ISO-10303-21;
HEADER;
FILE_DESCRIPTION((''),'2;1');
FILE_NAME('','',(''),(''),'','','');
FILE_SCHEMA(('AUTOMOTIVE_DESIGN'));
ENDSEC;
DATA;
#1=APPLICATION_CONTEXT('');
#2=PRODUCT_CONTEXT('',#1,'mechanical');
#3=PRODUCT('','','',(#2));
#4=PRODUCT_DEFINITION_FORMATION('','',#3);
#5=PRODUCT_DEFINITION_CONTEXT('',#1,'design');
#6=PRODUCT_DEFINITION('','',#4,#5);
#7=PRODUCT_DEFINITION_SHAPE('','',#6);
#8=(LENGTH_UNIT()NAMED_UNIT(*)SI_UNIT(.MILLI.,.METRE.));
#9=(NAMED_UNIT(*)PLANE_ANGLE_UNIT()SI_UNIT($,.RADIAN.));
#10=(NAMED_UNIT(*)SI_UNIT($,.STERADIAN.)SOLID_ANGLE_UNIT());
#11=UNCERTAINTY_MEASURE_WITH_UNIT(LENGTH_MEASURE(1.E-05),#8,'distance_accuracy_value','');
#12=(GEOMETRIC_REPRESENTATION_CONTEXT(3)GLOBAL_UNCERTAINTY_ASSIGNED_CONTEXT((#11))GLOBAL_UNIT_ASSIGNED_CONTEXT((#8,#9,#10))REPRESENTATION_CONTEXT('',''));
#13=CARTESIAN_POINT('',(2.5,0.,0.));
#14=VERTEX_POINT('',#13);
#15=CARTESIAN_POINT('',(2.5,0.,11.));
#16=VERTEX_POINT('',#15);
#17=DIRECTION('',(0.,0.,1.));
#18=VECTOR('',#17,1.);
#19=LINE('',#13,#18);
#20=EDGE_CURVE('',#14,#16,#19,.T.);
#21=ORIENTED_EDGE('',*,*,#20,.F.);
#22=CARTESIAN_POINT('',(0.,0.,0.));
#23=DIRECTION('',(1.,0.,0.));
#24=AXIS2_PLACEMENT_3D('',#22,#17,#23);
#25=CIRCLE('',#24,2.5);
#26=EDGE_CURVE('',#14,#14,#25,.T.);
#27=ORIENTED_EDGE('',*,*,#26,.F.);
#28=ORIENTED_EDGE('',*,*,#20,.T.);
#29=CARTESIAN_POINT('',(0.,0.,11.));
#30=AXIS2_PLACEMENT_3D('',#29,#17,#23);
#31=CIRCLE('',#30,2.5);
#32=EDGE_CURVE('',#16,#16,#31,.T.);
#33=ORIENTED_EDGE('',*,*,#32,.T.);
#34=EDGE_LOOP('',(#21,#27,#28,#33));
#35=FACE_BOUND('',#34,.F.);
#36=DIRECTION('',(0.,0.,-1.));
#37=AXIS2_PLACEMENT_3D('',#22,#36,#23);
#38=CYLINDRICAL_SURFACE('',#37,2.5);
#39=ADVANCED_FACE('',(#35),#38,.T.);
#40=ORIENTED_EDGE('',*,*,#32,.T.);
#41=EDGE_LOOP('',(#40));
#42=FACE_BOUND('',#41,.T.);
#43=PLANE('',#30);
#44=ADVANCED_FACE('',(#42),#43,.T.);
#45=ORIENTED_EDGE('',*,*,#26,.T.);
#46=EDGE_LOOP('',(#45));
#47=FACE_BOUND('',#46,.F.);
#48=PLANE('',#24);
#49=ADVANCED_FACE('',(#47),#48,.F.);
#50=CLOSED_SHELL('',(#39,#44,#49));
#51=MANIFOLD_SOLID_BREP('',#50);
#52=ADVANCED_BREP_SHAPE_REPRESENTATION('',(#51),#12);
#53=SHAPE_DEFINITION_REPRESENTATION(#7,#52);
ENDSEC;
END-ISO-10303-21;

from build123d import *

# Parameters (mm, degrees)
SKETCH_R  = 2.5
PAD_DEPTH = 11


with BuildPart() as part:
    # Sketch → Pad (new body)
    with BuildSketch(Plane.XY):
        Circle(SKETCH_R)
    extrude(amount=PAD_DEPTH)


solid = part.part
